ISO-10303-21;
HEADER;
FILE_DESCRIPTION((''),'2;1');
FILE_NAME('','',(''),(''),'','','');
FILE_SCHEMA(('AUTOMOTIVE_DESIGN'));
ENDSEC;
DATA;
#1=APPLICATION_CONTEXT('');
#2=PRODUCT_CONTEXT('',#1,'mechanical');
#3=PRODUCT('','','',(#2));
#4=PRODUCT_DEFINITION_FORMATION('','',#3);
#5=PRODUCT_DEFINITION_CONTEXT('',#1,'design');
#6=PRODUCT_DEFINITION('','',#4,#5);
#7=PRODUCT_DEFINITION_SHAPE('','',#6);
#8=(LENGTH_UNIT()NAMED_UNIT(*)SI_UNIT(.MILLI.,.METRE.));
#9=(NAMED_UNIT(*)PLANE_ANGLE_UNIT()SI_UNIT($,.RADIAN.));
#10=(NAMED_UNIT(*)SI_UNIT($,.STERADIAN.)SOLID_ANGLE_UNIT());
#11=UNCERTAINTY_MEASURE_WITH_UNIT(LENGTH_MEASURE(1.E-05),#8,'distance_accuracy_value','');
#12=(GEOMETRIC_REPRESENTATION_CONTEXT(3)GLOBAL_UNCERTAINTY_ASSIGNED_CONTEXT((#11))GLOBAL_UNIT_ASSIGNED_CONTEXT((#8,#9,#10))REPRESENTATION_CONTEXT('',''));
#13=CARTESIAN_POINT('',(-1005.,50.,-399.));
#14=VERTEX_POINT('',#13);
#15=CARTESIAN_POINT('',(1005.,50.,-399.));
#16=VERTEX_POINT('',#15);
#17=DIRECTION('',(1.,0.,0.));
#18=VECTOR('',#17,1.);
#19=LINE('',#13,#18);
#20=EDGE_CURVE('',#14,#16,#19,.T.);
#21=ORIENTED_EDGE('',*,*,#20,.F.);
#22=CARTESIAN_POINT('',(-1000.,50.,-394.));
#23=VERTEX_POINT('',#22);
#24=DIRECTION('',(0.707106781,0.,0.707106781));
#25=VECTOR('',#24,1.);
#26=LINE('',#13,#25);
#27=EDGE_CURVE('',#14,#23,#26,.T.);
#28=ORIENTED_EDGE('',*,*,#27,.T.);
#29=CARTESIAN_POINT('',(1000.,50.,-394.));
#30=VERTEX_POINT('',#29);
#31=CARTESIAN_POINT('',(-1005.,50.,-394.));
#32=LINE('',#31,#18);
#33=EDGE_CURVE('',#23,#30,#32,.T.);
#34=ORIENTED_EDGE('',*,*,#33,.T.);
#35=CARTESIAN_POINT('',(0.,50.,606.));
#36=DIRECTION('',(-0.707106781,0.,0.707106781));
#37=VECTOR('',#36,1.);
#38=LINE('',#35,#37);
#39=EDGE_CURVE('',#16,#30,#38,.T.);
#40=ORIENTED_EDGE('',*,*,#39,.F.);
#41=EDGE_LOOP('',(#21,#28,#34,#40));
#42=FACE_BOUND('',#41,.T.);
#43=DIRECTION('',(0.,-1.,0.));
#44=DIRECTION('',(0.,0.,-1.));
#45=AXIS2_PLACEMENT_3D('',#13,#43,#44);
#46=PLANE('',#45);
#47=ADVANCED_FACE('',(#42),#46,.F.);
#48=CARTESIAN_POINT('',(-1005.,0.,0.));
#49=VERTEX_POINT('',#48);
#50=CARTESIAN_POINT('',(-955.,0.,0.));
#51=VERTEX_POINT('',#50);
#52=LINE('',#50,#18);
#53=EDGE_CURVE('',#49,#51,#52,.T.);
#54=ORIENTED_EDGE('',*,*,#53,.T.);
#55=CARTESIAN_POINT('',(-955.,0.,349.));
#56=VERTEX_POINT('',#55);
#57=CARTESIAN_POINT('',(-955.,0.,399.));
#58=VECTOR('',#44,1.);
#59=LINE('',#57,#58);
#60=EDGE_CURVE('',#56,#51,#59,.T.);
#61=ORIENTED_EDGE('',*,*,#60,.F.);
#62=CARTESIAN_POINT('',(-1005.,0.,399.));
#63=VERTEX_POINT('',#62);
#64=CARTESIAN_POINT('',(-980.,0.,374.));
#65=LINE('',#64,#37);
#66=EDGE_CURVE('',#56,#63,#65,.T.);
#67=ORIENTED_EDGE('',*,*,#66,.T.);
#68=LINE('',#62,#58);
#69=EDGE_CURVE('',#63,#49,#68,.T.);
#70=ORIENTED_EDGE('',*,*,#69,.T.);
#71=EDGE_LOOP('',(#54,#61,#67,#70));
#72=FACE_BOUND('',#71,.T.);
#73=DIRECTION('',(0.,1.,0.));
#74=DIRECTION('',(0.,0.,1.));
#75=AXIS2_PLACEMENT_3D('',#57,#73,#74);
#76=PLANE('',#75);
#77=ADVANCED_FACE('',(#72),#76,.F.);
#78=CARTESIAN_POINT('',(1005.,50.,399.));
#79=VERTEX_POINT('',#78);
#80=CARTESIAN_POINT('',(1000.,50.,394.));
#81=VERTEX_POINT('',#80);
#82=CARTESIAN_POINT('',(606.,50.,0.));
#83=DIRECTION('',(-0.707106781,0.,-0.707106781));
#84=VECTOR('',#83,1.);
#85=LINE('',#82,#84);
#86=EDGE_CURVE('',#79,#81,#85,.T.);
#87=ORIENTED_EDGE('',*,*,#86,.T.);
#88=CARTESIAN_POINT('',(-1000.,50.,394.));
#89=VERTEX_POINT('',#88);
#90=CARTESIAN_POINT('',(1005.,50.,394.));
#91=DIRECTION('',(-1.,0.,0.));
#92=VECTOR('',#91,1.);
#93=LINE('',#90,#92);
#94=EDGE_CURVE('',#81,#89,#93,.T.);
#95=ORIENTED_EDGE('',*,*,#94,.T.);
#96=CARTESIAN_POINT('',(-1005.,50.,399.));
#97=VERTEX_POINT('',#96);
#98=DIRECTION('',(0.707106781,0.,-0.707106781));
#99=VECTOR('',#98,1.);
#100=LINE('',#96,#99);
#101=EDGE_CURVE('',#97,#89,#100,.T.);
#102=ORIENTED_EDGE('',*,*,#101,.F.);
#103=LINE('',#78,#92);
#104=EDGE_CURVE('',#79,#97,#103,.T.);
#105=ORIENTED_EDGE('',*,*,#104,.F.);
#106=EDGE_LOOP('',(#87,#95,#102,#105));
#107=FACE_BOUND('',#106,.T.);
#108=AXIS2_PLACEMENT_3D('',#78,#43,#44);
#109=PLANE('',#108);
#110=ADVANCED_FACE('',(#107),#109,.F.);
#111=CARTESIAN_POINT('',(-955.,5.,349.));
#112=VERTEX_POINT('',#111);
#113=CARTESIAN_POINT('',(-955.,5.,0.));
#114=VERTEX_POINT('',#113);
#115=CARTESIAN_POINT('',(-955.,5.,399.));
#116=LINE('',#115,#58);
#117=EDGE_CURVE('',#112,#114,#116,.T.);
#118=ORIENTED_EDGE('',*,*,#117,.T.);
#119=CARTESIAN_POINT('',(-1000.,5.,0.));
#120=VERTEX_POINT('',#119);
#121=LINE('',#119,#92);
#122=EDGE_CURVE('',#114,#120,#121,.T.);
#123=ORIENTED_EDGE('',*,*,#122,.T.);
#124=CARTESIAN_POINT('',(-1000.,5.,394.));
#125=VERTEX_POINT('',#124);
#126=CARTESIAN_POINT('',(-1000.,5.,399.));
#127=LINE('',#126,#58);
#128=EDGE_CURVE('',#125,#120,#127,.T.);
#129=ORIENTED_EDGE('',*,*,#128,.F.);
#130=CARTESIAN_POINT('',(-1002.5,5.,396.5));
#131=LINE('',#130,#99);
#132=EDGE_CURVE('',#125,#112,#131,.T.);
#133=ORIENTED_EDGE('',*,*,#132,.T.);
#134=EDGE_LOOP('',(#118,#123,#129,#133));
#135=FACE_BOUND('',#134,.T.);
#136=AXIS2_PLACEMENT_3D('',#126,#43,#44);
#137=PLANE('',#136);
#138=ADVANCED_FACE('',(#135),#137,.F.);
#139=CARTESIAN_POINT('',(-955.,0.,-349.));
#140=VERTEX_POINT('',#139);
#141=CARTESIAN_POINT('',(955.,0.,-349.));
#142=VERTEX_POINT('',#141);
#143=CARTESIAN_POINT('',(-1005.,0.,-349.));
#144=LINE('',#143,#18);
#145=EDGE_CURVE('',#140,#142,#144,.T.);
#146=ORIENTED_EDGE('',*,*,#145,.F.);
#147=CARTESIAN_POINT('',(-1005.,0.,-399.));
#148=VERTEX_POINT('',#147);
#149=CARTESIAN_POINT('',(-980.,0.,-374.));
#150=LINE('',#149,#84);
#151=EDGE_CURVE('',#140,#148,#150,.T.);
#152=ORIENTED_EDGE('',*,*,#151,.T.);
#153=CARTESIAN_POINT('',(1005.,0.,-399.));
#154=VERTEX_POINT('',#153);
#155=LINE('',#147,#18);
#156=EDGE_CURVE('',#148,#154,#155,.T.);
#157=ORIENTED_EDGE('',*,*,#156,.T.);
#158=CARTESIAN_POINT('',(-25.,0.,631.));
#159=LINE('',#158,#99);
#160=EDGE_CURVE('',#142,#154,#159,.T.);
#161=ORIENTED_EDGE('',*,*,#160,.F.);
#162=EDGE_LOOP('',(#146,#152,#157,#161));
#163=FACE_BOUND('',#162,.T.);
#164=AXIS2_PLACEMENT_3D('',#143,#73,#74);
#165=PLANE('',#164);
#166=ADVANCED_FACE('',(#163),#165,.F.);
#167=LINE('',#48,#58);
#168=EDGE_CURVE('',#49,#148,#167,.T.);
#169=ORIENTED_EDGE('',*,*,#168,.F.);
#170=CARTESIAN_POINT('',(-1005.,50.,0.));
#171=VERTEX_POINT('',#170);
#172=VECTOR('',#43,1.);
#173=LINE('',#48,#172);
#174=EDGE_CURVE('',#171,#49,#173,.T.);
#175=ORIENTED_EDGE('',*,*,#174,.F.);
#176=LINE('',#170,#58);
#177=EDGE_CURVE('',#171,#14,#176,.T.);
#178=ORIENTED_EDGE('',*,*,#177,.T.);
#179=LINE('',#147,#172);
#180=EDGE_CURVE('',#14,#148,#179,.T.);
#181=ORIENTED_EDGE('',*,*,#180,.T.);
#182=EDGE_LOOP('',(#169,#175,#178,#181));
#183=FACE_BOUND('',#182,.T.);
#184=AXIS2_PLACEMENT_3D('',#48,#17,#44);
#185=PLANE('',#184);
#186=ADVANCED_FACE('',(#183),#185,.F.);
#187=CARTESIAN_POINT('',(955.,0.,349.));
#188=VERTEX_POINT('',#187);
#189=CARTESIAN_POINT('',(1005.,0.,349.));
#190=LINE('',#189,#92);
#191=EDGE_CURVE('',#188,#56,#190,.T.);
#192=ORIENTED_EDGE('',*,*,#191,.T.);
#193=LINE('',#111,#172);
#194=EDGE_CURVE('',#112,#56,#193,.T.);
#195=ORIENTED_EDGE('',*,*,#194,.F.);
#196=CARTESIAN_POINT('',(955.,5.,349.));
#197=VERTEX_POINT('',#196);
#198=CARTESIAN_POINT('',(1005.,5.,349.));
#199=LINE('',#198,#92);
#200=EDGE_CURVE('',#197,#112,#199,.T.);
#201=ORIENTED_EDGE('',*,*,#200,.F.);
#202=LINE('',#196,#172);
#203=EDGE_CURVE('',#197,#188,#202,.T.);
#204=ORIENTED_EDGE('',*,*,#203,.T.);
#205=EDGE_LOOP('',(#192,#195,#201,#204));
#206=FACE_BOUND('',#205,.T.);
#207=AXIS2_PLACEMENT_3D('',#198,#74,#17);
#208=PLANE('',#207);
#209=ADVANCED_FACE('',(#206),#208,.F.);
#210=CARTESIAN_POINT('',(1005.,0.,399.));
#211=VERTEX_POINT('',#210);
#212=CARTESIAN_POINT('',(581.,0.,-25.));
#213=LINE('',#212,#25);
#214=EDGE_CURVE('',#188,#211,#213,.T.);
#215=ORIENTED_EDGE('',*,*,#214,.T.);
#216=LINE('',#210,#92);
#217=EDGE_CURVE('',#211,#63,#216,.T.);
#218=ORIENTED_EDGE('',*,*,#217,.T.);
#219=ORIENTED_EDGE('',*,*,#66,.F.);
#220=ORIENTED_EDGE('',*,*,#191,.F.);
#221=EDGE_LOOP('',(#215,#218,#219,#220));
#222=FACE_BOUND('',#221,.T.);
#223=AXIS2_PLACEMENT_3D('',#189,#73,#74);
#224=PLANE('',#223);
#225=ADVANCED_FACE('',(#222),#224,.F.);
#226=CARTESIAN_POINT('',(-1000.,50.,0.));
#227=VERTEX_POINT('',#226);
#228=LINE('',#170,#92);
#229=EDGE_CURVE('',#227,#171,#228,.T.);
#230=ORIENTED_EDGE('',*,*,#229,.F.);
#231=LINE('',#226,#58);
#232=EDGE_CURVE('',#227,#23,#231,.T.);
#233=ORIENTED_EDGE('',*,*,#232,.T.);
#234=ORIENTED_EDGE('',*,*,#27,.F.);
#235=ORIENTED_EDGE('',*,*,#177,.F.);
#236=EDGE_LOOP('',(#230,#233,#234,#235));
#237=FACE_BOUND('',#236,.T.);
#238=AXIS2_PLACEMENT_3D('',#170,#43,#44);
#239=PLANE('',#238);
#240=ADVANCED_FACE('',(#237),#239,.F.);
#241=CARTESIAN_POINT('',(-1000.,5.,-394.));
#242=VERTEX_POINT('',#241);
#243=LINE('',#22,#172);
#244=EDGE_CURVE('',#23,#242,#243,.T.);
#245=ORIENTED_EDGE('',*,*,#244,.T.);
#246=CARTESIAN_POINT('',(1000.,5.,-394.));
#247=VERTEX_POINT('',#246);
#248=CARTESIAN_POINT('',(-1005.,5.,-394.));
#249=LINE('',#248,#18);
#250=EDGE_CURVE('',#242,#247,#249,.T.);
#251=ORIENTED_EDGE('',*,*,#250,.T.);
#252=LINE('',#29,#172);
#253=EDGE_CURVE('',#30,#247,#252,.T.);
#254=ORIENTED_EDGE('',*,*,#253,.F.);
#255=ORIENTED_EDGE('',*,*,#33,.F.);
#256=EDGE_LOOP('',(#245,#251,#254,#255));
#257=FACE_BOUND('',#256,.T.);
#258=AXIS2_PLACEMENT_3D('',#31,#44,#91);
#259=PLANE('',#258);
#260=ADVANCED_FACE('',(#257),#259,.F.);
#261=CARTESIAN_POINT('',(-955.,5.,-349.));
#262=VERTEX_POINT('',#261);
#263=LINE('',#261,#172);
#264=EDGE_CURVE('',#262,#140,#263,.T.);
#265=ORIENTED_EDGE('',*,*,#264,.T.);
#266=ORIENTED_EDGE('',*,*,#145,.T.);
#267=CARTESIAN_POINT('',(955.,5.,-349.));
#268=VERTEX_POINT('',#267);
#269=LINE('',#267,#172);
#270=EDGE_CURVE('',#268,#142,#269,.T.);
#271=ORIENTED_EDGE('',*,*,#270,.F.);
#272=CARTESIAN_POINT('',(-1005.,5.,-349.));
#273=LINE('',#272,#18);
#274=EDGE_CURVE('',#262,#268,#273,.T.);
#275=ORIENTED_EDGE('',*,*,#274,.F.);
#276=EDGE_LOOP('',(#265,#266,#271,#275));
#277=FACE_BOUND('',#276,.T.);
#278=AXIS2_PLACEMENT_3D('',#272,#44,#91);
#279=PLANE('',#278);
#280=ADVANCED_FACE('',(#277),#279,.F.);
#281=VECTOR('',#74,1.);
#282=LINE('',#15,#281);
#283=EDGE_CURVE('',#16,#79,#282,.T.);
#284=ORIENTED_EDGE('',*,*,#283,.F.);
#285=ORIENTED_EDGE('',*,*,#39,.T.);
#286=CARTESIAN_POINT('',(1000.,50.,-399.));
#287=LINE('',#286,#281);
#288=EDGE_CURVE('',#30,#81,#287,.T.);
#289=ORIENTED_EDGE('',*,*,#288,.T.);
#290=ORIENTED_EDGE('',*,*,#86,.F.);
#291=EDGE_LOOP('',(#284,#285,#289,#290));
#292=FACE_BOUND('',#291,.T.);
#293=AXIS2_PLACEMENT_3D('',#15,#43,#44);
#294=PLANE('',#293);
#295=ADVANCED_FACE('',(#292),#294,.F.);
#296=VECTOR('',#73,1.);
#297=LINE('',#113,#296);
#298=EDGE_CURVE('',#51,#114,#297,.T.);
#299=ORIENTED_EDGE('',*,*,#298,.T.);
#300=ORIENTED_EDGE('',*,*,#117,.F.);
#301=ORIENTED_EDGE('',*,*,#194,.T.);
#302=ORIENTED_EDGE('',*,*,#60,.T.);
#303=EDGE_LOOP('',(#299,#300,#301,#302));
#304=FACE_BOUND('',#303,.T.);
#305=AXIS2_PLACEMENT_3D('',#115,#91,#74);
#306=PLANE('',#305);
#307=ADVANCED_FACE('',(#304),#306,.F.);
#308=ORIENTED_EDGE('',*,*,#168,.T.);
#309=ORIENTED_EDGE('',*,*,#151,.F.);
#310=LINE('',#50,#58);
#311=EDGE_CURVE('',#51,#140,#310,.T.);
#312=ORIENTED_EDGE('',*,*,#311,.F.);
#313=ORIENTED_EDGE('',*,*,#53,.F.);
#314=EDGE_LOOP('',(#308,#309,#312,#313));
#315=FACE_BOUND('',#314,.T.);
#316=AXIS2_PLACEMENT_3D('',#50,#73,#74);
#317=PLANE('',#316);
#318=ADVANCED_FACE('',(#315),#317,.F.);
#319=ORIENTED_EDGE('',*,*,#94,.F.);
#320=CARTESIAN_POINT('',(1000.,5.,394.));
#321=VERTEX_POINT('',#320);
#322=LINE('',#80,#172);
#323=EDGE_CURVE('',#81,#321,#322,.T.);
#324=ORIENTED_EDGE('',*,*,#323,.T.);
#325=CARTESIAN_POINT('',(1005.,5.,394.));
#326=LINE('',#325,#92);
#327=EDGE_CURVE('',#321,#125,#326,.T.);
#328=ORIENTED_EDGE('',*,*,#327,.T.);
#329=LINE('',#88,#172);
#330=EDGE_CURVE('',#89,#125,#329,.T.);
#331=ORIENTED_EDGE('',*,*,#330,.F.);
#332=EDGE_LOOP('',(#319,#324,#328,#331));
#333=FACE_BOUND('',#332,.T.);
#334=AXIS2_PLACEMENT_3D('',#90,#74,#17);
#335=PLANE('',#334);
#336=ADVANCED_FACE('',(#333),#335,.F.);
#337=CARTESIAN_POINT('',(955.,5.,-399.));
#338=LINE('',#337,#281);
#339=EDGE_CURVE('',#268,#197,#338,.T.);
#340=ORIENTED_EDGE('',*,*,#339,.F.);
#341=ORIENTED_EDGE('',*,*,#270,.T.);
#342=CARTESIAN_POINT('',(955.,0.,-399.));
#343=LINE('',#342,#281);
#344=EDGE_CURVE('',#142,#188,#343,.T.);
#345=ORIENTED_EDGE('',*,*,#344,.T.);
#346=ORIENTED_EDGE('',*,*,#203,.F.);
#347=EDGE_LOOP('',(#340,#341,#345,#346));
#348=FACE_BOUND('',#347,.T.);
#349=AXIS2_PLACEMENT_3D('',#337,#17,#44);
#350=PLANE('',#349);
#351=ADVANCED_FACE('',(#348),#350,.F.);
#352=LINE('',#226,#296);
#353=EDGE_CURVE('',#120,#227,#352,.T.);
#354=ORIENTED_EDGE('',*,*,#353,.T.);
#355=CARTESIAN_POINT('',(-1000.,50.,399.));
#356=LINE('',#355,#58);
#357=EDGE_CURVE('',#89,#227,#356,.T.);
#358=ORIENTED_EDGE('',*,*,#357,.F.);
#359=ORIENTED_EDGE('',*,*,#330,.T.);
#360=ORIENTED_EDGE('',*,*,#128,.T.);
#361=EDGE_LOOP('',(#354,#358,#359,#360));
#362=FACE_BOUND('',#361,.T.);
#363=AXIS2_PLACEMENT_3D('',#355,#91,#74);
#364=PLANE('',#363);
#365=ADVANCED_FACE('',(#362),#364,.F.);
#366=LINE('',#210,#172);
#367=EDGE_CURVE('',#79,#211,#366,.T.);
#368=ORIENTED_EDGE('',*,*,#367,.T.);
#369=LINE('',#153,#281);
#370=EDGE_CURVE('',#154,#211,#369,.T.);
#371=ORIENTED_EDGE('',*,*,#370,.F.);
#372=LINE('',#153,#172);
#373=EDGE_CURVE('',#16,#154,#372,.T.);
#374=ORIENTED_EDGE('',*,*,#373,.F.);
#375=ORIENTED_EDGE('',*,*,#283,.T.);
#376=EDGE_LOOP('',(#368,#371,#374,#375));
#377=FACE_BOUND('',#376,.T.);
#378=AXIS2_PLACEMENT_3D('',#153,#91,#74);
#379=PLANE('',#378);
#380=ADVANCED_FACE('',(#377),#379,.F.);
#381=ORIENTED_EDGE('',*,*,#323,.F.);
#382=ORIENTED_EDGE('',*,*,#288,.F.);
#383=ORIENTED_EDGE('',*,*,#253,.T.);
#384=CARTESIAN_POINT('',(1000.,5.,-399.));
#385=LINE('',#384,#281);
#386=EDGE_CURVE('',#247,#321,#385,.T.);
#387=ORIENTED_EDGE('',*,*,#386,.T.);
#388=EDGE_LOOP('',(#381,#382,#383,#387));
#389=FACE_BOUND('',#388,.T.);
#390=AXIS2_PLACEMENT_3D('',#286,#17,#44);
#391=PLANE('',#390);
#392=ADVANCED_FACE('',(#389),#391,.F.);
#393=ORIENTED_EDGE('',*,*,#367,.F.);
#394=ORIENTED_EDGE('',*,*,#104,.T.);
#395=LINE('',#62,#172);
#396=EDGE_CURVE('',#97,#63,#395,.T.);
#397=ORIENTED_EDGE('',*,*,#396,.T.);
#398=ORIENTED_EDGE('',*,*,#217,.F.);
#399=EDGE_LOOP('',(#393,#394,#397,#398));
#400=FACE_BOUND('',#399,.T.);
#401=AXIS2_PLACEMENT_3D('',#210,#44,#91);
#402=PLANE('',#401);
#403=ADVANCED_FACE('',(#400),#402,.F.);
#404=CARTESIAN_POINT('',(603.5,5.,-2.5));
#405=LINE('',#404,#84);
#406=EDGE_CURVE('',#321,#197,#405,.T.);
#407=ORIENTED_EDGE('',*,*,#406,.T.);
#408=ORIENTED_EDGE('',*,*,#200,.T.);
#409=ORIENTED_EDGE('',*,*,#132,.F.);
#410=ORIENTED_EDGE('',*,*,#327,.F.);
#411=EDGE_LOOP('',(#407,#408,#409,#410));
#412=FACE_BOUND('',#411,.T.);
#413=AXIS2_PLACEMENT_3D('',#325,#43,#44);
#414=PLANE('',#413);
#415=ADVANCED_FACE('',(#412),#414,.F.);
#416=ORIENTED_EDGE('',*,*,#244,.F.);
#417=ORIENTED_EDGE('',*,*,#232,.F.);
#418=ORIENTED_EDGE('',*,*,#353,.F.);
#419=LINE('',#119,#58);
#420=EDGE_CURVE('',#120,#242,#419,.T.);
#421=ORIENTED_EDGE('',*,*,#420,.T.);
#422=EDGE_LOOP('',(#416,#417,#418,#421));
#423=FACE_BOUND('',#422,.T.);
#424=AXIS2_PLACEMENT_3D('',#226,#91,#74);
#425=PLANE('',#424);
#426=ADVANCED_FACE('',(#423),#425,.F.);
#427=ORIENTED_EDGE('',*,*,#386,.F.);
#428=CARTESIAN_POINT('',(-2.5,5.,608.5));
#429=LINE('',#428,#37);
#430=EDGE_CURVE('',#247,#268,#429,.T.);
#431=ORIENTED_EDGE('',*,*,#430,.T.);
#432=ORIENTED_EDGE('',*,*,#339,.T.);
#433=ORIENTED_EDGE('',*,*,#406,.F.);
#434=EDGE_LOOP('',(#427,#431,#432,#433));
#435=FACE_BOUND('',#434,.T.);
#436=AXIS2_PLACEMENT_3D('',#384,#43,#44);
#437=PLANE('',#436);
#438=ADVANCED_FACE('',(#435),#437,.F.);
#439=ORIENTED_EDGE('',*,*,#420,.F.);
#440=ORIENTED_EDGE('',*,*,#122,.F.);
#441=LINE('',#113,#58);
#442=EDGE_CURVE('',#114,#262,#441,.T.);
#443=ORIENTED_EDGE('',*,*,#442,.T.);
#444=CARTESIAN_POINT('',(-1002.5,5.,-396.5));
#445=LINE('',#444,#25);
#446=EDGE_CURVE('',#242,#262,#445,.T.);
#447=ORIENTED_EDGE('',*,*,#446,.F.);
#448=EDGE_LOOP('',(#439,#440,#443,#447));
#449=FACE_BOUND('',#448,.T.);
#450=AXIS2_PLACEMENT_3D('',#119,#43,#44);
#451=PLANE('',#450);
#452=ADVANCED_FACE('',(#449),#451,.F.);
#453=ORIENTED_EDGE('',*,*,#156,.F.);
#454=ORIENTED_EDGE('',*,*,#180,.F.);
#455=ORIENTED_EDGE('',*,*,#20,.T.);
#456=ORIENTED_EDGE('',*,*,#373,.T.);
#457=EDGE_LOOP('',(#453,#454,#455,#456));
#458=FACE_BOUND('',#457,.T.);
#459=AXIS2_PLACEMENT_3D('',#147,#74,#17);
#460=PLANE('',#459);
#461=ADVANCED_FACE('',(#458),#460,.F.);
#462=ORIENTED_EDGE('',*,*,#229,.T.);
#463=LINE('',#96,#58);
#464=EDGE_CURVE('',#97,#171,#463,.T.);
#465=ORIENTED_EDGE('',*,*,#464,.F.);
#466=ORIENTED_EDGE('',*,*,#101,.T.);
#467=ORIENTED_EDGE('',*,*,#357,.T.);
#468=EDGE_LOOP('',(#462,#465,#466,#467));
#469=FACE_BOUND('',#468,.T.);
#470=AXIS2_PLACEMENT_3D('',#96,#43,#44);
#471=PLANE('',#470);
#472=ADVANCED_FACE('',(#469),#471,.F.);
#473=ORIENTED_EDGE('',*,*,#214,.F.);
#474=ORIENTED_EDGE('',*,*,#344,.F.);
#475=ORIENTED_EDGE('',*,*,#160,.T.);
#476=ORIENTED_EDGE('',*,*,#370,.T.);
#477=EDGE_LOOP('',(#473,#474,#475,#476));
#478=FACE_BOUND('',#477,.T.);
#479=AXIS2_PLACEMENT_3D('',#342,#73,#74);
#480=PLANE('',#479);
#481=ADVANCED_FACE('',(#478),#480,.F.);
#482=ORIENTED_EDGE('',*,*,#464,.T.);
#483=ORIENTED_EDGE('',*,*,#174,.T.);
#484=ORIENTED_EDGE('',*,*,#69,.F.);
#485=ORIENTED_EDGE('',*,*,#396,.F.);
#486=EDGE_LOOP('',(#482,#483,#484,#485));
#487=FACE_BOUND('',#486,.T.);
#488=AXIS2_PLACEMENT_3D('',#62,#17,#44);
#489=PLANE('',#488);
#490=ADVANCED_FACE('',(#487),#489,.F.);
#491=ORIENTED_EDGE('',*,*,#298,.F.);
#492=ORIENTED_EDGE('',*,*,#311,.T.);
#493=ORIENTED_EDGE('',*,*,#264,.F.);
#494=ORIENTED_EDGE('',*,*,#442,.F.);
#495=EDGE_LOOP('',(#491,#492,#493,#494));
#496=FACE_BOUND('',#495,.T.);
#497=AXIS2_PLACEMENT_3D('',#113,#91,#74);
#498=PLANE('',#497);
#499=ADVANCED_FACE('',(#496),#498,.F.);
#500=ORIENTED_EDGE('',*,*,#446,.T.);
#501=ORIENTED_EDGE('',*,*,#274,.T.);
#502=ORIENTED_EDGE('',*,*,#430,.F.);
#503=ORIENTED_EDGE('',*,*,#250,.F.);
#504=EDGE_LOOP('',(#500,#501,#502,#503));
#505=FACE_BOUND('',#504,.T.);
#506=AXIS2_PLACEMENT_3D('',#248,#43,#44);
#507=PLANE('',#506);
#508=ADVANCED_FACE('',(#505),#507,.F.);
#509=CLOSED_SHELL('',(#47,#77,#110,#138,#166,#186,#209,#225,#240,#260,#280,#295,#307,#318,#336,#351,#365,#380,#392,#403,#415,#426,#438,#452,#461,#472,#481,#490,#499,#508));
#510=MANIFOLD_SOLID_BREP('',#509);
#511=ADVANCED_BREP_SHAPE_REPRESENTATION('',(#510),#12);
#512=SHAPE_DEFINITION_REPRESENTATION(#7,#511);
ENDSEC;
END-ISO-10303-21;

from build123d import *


with BuildPart() as part:
    # Sweep1: sweep along a path in Sketch2
    with BuildLine(Plane(origin=(0, 0, 0), x_dir=(1, 0, 0), z_dir=(0, 1, 0))) as sweep1_path:
        Line((-1005, -399), (1005, -399))
        Line((1005, -399), (1005, 399))
        Line((1005, 399), (-1005, 399))
        Line((-1005, 399), (-1005, -399))
    # Sketch3 → Sweep1 (sweep)
    with BuildSketch(Plane.XY):
        Polygon((-955, 0), (-1005, 0), (-1005, 50), (-1000, 50), (-1000, 5), (-955, 5), align=None)
    sweep(path=sweep1_path.line, transition=Transition.RIGHT)


solid = part.part
